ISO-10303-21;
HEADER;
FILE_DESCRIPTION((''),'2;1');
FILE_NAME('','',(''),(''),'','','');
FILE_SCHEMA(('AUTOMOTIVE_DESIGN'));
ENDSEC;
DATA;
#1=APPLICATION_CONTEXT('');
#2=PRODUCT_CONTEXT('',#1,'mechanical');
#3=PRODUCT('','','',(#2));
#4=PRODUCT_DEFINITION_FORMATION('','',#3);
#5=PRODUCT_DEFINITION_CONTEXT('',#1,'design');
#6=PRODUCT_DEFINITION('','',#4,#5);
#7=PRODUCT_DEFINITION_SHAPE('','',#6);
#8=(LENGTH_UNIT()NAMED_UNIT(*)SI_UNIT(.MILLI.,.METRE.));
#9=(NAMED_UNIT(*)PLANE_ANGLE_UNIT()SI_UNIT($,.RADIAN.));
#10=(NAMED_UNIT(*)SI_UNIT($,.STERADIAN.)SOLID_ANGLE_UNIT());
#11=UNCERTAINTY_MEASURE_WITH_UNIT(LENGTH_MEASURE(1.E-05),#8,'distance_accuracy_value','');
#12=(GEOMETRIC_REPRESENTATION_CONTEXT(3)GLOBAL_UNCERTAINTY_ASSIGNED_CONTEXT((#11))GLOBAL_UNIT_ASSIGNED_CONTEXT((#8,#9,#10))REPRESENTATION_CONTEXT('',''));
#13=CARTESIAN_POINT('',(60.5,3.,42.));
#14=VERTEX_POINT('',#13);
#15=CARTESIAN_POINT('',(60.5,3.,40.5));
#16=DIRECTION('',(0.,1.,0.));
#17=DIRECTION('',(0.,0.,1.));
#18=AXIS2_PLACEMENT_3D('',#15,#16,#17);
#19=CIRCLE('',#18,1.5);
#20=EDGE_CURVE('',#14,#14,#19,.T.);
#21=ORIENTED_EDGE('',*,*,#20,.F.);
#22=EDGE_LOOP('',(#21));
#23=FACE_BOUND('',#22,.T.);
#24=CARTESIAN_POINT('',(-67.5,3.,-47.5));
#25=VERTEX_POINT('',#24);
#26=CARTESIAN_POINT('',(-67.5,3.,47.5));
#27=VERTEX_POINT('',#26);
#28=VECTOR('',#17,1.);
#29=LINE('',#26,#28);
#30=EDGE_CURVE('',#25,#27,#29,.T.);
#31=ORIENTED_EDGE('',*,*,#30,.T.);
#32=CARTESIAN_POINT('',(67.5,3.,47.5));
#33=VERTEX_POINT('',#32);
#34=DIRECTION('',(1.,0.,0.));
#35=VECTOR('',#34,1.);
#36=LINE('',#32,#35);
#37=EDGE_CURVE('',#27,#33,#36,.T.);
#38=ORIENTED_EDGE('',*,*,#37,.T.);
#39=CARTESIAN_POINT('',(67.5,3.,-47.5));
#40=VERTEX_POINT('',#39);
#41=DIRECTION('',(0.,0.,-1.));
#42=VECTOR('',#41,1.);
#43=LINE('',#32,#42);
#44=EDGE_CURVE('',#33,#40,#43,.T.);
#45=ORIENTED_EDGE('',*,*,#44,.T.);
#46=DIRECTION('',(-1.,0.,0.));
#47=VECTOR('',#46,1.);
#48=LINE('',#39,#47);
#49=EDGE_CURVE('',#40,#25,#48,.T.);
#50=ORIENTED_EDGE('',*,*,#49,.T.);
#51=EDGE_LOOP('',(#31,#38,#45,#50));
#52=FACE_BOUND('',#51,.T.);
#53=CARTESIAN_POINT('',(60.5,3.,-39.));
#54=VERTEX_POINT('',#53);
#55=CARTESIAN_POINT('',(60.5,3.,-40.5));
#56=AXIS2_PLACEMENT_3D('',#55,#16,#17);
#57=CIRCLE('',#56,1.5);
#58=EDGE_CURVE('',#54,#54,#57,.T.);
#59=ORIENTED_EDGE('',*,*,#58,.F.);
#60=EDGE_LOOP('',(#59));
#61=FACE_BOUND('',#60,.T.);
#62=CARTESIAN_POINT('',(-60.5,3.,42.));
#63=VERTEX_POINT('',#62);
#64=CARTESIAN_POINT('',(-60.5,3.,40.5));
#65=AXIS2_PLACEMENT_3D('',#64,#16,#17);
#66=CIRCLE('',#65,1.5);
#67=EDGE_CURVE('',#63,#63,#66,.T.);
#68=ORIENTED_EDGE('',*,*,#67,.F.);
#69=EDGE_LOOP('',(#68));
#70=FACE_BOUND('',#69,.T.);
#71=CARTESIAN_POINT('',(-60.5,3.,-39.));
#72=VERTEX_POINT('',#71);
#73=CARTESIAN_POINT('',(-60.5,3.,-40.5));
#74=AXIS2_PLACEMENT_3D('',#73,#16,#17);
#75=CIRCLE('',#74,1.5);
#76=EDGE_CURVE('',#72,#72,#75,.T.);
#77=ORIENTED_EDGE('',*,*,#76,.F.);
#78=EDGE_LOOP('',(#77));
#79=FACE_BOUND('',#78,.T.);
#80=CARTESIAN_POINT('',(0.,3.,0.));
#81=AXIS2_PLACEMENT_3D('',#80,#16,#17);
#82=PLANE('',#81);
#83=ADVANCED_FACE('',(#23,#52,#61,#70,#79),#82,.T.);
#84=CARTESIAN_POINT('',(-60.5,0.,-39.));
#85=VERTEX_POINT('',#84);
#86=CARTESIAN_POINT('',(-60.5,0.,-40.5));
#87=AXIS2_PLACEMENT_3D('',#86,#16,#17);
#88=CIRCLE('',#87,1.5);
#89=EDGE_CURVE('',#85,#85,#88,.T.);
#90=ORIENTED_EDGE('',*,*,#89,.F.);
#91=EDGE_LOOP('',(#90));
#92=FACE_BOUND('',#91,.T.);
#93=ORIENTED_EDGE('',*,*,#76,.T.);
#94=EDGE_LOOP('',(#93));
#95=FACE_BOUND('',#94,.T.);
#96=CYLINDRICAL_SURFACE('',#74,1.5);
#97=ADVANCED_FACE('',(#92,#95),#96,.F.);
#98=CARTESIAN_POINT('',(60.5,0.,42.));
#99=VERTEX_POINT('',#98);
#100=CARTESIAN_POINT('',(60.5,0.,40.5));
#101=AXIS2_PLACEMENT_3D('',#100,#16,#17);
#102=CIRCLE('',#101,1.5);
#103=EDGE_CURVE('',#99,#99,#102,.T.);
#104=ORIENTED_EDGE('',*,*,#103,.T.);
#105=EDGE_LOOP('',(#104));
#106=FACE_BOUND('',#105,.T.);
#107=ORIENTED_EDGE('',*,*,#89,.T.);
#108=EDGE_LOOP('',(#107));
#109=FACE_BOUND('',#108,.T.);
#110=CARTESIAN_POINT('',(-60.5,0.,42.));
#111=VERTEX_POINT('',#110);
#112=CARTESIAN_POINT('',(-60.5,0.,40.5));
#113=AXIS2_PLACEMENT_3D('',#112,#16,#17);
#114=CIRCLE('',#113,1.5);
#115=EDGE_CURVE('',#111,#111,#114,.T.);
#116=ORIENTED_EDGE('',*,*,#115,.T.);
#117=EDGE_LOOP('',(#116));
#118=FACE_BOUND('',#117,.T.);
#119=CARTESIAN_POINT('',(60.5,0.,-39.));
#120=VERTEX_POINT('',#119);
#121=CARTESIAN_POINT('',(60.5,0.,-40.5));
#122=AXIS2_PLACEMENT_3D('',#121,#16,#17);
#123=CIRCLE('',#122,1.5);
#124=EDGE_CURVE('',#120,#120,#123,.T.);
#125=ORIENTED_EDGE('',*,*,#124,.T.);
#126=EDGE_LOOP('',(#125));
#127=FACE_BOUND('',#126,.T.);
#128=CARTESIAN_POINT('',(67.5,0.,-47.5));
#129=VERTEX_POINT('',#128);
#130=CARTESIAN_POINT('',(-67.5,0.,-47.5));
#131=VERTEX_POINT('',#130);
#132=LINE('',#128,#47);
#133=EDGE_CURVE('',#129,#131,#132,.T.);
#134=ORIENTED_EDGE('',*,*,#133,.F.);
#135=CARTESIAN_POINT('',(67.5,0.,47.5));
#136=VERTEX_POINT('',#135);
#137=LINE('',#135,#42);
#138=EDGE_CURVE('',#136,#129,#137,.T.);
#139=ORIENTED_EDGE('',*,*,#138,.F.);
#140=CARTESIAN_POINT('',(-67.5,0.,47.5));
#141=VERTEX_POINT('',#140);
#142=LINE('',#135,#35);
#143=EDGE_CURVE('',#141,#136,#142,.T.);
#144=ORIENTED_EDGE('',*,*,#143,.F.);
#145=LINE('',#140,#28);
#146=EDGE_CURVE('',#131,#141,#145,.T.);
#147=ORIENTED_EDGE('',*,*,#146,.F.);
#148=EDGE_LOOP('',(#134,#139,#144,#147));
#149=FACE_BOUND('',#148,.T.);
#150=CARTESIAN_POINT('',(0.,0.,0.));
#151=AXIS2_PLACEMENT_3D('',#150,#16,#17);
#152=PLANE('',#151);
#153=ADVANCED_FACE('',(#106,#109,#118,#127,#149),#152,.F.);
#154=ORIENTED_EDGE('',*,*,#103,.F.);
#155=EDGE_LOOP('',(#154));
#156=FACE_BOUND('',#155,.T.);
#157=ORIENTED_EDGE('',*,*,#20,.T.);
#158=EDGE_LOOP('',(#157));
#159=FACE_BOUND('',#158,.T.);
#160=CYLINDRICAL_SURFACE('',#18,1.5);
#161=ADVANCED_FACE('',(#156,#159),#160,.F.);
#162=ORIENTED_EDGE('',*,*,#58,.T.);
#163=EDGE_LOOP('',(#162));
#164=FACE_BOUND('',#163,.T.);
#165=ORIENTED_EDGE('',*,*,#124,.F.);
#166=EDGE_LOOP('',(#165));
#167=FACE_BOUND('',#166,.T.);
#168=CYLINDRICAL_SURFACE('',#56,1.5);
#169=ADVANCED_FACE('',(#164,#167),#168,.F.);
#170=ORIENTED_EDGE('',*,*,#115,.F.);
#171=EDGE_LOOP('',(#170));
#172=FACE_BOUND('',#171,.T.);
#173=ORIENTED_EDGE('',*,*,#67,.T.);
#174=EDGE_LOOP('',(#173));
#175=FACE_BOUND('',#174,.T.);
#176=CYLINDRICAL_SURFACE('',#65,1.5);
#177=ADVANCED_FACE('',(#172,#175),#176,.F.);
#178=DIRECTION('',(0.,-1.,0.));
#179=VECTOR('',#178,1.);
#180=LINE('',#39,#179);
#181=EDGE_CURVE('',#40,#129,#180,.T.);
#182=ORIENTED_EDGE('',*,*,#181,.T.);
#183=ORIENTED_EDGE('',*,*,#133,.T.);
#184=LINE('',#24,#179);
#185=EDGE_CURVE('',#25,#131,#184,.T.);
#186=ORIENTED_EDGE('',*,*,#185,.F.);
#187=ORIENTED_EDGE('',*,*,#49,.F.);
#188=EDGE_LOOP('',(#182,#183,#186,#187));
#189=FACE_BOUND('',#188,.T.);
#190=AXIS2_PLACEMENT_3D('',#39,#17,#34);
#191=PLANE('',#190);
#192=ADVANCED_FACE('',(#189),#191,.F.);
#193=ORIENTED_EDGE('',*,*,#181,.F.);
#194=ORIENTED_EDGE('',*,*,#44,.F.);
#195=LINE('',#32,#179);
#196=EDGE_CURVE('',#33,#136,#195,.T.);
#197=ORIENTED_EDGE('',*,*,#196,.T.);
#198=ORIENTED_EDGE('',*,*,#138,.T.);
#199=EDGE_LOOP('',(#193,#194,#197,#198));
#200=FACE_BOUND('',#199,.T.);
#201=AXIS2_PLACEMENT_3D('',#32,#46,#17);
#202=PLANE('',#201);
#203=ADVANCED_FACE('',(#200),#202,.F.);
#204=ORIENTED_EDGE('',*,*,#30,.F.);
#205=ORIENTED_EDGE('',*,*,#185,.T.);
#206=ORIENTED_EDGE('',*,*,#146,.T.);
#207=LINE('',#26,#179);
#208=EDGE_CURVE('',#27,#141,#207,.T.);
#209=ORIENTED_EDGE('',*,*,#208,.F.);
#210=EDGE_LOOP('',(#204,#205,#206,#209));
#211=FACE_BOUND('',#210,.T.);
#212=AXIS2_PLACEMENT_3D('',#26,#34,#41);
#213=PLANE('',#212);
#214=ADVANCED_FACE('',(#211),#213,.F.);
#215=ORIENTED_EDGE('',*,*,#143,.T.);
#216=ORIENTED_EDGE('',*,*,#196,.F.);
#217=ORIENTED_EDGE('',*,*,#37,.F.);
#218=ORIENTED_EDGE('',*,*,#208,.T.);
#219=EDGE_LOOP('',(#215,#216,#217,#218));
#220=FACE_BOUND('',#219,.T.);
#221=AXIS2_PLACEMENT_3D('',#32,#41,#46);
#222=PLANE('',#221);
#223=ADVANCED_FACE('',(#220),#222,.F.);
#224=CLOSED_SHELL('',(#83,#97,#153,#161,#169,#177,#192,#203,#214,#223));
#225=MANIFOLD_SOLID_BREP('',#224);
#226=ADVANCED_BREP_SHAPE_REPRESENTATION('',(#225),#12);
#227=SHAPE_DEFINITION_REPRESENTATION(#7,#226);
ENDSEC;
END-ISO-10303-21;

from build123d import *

# Parameters (mm, degrees)
SKETCH1_W                  = 135
SKETCH1_H                  = 95
BOSS_EXTRUDE1_DEPTH        = 3
F_31_0_12_DIAMETER_HOLE1_D = 3.000000096


with BuildPart() as part:
    # Sketch1 → Boss-Extrude1 (new body)
    with BuildSketch(Plane(origin=(0, 0, 0), x_dir=(1, 0, 0), z_dir=(0, 1, 0))):
        Rectangle(SKETCH1_W, SKETCH1_H)
    extrude(amount=BOSS_EXTRUDE1_DEPTH)

    # #31 (0.12) Diameter Hole1 (through all)
    with Locations(Plane(origin=(0, 3, 0), x_dir=(1, 0, 0), z_dir=(0, 1, 0))):
        with Locations((-60.5, 40.5), (-60.5, -40.5), (60.5, 40.5), (60.5, -40.5)):
            Hole(F_31_0_12_DIAMETER_HOLE1_D / 2)


solid = part.part
